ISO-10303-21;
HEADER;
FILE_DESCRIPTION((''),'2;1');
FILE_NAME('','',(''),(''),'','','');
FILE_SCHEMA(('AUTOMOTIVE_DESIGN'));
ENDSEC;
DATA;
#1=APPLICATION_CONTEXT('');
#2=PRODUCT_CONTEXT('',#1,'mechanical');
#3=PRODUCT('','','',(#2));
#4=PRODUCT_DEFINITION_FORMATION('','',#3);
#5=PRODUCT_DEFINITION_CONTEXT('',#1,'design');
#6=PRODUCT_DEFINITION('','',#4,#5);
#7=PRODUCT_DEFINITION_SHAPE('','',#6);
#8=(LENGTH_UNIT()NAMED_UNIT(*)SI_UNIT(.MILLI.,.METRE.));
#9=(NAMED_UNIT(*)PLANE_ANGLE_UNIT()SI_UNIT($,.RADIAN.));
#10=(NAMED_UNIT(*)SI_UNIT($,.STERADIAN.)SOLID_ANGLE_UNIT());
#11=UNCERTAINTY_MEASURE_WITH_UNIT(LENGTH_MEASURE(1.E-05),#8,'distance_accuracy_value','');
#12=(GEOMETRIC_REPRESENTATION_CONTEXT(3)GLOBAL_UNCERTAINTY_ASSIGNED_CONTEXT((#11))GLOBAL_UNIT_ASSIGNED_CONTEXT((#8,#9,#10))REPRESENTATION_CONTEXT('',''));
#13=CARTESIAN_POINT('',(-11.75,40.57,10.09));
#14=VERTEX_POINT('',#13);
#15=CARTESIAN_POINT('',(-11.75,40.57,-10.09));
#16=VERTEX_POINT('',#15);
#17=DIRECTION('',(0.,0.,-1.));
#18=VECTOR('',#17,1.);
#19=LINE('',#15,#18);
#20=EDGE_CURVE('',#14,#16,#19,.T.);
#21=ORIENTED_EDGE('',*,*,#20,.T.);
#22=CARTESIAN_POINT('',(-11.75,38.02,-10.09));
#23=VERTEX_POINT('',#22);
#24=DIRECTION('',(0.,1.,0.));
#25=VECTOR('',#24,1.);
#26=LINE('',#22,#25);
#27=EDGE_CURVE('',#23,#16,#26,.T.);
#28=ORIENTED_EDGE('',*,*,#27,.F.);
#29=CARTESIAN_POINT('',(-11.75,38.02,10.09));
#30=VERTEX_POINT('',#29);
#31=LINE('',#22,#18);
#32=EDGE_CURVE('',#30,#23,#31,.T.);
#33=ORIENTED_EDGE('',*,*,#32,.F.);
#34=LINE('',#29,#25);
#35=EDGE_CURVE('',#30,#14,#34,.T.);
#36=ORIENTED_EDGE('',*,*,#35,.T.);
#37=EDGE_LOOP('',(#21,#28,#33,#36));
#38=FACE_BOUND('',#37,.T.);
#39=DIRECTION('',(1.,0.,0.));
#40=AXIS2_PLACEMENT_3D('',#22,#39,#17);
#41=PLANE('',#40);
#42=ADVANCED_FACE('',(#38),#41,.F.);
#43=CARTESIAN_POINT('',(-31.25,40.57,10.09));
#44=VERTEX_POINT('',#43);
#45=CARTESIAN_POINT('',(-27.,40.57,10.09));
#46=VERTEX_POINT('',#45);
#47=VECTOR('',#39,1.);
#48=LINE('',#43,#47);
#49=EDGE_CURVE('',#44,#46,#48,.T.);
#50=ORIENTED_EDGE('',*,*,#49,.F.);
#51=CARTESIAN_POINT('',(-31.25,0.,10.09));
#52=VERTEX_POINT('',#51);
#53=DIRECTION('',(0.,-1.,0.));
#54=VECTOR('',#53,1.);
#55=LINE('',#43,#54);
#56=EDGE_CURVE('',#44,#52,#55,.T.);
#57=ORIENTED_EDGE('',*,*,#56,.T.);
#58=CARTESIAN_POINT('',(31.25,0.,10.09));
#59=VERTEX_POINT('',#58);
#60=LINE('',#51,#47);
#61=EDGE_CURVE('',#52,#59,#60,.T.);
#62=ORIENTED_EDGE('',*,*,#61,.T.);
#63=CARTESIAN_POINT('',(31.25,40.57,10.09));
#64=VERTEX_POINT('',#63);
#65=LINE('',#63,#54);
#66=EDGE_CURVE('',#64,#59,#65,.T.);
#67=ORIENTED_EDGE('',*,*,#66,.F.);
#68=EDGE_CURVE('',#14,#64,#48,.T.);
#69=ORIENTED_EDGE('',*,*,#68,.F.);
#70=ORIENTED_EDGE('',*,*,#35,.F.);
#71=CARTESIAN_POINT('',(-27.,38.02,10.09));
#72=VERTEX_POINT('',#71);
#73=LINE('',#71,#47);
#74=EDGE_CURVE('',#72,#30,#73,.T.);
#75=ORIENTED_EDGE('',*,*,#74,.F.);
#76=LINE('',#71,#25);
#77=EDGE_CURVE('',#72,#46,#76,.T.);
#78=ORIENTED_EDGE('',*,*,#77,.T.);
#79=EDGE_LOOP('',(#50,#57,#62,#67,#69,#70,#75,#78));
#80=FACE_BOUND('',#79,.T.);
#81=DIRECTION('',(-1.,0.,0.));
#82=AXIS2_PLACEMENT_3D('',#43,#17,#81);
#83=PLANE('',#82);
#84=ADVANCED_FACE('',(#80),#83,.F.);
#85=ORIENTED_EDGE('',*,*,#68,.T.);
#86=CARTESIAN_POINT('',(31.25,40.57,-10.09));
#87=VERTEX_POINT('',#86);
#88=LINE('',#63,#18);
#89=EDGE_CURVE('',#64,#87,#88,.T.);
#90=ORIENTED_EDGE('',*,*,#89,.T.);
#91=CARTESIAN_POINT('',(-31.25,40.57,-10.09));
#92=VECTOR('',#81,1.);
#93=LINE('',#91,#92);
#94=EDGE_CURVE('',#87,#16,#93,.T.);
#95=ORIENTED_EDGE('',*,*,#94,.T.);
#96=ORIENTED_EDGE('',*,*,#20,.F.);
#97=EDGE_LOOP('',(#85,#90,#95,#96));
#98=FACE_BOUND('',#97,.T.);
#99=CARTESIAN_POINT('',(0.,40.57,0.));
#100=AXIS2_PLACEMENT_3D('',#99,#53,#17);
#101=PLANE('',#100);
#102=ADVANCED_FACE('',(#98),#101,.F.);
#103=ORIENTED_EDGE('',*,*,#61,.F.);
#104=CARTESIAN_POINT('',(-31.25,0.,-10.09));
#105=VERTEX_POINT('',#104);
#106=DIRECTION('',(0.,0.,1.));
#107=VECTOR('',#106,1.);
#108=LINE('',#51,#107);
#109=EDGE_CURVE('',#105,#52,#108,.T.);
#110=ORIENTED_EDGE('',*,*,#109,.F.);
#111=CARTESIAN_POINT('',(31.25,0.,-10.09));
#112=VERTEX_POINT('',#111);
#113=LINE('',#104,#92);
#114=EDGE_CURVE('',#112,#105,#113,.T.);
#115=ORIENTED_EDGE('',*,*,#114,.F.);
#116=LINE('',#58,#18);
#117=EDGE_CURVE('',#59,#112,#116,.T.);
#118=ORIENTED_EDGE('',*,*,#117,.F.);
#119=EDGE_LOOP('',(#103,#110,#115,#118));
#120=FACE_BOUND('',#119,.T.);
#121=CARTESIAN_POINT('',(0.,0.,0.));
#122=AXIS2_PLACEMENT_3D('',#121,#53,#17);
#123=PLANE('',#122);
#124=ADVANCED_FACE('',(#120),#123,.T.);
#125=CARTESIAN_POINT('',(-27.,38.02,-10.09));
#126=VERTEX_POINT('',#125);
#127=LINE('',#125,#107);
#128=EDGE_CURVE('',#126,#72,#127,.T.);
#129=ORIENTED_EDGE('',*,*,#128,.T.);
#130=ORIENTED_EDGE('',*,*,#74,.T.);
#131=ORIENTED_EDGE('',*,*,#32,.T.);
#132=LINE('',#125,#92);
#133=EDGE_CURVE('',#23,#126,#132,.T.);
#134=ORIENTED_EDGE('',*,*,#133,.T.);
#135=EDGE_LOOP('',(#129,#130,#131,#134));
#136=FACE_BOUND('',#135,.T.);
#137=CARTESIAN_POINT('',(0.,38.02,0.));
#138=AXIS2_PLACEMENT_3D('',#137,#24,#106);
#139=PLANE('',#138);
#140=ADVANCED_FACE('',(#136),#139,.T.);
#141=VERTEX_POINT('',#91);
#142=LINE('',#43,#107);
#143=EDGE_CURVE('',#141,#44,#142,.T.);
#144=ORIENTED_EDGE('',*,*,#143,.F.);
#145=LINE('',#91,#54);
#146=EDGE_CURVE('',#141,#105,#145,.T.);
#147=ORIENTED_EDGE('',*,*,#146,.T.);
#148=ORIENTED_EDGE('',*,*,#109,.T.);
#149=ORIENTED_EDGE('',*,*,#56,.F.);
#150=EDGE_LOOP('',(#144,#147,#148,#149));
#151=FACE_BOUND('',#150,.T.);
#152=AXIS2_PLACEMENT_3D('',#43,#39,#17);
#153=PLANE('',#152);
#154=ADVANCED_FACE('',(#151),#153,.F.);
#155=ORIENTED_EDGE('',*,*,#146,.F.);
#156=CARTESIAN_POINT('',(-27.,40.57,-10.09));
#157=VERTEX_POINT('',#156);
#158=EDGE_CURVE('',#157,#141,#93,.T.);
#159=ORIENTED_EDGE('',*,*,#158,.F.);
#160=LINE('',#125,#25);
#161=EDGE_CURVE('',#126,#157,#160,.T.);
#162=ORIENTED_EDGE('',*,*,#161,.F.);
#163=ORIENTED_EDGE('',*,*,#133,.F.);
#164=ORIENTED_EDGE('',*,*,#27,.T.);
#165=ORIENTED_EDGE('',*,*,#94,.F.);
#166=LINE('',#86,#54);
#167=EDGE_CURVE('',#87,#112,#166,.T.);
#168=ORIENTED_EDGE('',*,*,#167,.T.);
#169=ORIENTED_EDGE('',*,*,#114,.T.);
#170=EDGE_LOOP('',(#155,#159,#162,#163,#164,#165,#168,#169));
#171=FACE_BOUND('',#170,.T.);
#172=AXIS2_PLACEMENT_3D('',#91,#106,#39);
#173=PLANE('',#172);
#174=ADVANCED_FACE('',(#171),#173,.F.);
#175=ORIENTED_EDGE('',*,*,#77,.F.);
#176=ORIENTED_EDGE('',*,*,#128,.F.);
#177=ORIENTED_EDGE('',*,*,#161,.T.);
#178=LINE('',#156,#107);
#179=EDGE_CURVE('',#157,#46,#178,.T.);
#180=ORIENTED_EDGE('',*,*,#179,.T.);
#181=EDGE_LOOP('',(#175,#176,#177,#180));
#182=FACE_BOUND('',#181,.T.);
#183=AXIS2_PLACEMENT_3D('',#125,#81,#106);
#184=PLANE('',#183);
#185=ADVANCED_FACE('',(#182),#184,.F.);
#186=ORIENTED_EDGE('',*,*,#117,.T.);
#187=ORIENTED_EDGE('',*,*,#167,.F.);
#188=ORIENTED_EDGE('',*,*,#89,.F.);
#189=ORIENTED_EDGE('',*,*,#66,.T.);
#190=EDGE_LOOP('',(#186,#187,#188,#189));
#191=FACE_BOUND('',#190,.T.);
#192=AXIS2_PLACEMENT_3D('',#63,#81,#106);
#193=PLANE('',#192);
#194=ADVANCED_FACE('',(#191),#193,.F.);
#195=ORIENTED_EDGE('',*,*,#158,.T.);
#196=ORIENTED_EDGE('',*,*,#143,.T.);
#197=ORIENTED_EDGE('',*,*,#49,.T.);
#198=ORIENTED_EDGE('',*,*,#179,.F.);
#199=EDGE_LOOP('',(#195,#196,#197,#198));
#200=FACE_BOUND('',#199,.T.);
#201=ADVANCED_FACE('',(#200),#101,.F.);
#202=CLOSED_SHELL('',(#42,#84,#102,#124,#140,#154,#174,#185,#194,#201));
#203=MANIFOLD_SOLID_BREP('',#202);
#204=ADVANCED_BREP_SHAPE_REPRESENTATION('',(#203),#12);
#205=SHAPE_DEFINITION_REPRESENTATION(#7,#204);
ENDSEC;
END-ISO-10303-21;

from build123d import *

# Parameters (mm, degrees)
SKETCH_200_W        = 62.5
SKETCH_200_H        = 20.18
EXTRUDE_1_DEPTH     = 40.57
SKETCH_6_W          = 15.25
SKETCH_6_H          = 20.18
CUT_EXTRUDE_1_DEPTH = 2.55


with BuildPart() as part:
    # Sketch 200 → Бобышка-Вытянуть1 (new body)
    with BuildSketch(Plane(origin=(0, 0, 0), x_dir=(1, 0, 0), z_dir=(0, 1, 0))):
        Rectangle(SKETCH_200_W, SKETCH_200_H)
    extrude(amount=EXTRUDE_1_DEPTH)

    # Эскиз6 → Вырез-Вытянуть1 (cut)
    with BuildSketch(Plane(origin=(0, 40.57, 0), x_dir=(1, 0, 0), z_dir=(0, 1, 0))):
        with Locations((-19.375, 0)):
            Rectangle(SKETCH_6_W, SKETCH_6_H)
    extrude(amount=-CUT_EXTRUDE_1_DEPTH, mode=Mode.SUBTRACT)


solid = part.part
